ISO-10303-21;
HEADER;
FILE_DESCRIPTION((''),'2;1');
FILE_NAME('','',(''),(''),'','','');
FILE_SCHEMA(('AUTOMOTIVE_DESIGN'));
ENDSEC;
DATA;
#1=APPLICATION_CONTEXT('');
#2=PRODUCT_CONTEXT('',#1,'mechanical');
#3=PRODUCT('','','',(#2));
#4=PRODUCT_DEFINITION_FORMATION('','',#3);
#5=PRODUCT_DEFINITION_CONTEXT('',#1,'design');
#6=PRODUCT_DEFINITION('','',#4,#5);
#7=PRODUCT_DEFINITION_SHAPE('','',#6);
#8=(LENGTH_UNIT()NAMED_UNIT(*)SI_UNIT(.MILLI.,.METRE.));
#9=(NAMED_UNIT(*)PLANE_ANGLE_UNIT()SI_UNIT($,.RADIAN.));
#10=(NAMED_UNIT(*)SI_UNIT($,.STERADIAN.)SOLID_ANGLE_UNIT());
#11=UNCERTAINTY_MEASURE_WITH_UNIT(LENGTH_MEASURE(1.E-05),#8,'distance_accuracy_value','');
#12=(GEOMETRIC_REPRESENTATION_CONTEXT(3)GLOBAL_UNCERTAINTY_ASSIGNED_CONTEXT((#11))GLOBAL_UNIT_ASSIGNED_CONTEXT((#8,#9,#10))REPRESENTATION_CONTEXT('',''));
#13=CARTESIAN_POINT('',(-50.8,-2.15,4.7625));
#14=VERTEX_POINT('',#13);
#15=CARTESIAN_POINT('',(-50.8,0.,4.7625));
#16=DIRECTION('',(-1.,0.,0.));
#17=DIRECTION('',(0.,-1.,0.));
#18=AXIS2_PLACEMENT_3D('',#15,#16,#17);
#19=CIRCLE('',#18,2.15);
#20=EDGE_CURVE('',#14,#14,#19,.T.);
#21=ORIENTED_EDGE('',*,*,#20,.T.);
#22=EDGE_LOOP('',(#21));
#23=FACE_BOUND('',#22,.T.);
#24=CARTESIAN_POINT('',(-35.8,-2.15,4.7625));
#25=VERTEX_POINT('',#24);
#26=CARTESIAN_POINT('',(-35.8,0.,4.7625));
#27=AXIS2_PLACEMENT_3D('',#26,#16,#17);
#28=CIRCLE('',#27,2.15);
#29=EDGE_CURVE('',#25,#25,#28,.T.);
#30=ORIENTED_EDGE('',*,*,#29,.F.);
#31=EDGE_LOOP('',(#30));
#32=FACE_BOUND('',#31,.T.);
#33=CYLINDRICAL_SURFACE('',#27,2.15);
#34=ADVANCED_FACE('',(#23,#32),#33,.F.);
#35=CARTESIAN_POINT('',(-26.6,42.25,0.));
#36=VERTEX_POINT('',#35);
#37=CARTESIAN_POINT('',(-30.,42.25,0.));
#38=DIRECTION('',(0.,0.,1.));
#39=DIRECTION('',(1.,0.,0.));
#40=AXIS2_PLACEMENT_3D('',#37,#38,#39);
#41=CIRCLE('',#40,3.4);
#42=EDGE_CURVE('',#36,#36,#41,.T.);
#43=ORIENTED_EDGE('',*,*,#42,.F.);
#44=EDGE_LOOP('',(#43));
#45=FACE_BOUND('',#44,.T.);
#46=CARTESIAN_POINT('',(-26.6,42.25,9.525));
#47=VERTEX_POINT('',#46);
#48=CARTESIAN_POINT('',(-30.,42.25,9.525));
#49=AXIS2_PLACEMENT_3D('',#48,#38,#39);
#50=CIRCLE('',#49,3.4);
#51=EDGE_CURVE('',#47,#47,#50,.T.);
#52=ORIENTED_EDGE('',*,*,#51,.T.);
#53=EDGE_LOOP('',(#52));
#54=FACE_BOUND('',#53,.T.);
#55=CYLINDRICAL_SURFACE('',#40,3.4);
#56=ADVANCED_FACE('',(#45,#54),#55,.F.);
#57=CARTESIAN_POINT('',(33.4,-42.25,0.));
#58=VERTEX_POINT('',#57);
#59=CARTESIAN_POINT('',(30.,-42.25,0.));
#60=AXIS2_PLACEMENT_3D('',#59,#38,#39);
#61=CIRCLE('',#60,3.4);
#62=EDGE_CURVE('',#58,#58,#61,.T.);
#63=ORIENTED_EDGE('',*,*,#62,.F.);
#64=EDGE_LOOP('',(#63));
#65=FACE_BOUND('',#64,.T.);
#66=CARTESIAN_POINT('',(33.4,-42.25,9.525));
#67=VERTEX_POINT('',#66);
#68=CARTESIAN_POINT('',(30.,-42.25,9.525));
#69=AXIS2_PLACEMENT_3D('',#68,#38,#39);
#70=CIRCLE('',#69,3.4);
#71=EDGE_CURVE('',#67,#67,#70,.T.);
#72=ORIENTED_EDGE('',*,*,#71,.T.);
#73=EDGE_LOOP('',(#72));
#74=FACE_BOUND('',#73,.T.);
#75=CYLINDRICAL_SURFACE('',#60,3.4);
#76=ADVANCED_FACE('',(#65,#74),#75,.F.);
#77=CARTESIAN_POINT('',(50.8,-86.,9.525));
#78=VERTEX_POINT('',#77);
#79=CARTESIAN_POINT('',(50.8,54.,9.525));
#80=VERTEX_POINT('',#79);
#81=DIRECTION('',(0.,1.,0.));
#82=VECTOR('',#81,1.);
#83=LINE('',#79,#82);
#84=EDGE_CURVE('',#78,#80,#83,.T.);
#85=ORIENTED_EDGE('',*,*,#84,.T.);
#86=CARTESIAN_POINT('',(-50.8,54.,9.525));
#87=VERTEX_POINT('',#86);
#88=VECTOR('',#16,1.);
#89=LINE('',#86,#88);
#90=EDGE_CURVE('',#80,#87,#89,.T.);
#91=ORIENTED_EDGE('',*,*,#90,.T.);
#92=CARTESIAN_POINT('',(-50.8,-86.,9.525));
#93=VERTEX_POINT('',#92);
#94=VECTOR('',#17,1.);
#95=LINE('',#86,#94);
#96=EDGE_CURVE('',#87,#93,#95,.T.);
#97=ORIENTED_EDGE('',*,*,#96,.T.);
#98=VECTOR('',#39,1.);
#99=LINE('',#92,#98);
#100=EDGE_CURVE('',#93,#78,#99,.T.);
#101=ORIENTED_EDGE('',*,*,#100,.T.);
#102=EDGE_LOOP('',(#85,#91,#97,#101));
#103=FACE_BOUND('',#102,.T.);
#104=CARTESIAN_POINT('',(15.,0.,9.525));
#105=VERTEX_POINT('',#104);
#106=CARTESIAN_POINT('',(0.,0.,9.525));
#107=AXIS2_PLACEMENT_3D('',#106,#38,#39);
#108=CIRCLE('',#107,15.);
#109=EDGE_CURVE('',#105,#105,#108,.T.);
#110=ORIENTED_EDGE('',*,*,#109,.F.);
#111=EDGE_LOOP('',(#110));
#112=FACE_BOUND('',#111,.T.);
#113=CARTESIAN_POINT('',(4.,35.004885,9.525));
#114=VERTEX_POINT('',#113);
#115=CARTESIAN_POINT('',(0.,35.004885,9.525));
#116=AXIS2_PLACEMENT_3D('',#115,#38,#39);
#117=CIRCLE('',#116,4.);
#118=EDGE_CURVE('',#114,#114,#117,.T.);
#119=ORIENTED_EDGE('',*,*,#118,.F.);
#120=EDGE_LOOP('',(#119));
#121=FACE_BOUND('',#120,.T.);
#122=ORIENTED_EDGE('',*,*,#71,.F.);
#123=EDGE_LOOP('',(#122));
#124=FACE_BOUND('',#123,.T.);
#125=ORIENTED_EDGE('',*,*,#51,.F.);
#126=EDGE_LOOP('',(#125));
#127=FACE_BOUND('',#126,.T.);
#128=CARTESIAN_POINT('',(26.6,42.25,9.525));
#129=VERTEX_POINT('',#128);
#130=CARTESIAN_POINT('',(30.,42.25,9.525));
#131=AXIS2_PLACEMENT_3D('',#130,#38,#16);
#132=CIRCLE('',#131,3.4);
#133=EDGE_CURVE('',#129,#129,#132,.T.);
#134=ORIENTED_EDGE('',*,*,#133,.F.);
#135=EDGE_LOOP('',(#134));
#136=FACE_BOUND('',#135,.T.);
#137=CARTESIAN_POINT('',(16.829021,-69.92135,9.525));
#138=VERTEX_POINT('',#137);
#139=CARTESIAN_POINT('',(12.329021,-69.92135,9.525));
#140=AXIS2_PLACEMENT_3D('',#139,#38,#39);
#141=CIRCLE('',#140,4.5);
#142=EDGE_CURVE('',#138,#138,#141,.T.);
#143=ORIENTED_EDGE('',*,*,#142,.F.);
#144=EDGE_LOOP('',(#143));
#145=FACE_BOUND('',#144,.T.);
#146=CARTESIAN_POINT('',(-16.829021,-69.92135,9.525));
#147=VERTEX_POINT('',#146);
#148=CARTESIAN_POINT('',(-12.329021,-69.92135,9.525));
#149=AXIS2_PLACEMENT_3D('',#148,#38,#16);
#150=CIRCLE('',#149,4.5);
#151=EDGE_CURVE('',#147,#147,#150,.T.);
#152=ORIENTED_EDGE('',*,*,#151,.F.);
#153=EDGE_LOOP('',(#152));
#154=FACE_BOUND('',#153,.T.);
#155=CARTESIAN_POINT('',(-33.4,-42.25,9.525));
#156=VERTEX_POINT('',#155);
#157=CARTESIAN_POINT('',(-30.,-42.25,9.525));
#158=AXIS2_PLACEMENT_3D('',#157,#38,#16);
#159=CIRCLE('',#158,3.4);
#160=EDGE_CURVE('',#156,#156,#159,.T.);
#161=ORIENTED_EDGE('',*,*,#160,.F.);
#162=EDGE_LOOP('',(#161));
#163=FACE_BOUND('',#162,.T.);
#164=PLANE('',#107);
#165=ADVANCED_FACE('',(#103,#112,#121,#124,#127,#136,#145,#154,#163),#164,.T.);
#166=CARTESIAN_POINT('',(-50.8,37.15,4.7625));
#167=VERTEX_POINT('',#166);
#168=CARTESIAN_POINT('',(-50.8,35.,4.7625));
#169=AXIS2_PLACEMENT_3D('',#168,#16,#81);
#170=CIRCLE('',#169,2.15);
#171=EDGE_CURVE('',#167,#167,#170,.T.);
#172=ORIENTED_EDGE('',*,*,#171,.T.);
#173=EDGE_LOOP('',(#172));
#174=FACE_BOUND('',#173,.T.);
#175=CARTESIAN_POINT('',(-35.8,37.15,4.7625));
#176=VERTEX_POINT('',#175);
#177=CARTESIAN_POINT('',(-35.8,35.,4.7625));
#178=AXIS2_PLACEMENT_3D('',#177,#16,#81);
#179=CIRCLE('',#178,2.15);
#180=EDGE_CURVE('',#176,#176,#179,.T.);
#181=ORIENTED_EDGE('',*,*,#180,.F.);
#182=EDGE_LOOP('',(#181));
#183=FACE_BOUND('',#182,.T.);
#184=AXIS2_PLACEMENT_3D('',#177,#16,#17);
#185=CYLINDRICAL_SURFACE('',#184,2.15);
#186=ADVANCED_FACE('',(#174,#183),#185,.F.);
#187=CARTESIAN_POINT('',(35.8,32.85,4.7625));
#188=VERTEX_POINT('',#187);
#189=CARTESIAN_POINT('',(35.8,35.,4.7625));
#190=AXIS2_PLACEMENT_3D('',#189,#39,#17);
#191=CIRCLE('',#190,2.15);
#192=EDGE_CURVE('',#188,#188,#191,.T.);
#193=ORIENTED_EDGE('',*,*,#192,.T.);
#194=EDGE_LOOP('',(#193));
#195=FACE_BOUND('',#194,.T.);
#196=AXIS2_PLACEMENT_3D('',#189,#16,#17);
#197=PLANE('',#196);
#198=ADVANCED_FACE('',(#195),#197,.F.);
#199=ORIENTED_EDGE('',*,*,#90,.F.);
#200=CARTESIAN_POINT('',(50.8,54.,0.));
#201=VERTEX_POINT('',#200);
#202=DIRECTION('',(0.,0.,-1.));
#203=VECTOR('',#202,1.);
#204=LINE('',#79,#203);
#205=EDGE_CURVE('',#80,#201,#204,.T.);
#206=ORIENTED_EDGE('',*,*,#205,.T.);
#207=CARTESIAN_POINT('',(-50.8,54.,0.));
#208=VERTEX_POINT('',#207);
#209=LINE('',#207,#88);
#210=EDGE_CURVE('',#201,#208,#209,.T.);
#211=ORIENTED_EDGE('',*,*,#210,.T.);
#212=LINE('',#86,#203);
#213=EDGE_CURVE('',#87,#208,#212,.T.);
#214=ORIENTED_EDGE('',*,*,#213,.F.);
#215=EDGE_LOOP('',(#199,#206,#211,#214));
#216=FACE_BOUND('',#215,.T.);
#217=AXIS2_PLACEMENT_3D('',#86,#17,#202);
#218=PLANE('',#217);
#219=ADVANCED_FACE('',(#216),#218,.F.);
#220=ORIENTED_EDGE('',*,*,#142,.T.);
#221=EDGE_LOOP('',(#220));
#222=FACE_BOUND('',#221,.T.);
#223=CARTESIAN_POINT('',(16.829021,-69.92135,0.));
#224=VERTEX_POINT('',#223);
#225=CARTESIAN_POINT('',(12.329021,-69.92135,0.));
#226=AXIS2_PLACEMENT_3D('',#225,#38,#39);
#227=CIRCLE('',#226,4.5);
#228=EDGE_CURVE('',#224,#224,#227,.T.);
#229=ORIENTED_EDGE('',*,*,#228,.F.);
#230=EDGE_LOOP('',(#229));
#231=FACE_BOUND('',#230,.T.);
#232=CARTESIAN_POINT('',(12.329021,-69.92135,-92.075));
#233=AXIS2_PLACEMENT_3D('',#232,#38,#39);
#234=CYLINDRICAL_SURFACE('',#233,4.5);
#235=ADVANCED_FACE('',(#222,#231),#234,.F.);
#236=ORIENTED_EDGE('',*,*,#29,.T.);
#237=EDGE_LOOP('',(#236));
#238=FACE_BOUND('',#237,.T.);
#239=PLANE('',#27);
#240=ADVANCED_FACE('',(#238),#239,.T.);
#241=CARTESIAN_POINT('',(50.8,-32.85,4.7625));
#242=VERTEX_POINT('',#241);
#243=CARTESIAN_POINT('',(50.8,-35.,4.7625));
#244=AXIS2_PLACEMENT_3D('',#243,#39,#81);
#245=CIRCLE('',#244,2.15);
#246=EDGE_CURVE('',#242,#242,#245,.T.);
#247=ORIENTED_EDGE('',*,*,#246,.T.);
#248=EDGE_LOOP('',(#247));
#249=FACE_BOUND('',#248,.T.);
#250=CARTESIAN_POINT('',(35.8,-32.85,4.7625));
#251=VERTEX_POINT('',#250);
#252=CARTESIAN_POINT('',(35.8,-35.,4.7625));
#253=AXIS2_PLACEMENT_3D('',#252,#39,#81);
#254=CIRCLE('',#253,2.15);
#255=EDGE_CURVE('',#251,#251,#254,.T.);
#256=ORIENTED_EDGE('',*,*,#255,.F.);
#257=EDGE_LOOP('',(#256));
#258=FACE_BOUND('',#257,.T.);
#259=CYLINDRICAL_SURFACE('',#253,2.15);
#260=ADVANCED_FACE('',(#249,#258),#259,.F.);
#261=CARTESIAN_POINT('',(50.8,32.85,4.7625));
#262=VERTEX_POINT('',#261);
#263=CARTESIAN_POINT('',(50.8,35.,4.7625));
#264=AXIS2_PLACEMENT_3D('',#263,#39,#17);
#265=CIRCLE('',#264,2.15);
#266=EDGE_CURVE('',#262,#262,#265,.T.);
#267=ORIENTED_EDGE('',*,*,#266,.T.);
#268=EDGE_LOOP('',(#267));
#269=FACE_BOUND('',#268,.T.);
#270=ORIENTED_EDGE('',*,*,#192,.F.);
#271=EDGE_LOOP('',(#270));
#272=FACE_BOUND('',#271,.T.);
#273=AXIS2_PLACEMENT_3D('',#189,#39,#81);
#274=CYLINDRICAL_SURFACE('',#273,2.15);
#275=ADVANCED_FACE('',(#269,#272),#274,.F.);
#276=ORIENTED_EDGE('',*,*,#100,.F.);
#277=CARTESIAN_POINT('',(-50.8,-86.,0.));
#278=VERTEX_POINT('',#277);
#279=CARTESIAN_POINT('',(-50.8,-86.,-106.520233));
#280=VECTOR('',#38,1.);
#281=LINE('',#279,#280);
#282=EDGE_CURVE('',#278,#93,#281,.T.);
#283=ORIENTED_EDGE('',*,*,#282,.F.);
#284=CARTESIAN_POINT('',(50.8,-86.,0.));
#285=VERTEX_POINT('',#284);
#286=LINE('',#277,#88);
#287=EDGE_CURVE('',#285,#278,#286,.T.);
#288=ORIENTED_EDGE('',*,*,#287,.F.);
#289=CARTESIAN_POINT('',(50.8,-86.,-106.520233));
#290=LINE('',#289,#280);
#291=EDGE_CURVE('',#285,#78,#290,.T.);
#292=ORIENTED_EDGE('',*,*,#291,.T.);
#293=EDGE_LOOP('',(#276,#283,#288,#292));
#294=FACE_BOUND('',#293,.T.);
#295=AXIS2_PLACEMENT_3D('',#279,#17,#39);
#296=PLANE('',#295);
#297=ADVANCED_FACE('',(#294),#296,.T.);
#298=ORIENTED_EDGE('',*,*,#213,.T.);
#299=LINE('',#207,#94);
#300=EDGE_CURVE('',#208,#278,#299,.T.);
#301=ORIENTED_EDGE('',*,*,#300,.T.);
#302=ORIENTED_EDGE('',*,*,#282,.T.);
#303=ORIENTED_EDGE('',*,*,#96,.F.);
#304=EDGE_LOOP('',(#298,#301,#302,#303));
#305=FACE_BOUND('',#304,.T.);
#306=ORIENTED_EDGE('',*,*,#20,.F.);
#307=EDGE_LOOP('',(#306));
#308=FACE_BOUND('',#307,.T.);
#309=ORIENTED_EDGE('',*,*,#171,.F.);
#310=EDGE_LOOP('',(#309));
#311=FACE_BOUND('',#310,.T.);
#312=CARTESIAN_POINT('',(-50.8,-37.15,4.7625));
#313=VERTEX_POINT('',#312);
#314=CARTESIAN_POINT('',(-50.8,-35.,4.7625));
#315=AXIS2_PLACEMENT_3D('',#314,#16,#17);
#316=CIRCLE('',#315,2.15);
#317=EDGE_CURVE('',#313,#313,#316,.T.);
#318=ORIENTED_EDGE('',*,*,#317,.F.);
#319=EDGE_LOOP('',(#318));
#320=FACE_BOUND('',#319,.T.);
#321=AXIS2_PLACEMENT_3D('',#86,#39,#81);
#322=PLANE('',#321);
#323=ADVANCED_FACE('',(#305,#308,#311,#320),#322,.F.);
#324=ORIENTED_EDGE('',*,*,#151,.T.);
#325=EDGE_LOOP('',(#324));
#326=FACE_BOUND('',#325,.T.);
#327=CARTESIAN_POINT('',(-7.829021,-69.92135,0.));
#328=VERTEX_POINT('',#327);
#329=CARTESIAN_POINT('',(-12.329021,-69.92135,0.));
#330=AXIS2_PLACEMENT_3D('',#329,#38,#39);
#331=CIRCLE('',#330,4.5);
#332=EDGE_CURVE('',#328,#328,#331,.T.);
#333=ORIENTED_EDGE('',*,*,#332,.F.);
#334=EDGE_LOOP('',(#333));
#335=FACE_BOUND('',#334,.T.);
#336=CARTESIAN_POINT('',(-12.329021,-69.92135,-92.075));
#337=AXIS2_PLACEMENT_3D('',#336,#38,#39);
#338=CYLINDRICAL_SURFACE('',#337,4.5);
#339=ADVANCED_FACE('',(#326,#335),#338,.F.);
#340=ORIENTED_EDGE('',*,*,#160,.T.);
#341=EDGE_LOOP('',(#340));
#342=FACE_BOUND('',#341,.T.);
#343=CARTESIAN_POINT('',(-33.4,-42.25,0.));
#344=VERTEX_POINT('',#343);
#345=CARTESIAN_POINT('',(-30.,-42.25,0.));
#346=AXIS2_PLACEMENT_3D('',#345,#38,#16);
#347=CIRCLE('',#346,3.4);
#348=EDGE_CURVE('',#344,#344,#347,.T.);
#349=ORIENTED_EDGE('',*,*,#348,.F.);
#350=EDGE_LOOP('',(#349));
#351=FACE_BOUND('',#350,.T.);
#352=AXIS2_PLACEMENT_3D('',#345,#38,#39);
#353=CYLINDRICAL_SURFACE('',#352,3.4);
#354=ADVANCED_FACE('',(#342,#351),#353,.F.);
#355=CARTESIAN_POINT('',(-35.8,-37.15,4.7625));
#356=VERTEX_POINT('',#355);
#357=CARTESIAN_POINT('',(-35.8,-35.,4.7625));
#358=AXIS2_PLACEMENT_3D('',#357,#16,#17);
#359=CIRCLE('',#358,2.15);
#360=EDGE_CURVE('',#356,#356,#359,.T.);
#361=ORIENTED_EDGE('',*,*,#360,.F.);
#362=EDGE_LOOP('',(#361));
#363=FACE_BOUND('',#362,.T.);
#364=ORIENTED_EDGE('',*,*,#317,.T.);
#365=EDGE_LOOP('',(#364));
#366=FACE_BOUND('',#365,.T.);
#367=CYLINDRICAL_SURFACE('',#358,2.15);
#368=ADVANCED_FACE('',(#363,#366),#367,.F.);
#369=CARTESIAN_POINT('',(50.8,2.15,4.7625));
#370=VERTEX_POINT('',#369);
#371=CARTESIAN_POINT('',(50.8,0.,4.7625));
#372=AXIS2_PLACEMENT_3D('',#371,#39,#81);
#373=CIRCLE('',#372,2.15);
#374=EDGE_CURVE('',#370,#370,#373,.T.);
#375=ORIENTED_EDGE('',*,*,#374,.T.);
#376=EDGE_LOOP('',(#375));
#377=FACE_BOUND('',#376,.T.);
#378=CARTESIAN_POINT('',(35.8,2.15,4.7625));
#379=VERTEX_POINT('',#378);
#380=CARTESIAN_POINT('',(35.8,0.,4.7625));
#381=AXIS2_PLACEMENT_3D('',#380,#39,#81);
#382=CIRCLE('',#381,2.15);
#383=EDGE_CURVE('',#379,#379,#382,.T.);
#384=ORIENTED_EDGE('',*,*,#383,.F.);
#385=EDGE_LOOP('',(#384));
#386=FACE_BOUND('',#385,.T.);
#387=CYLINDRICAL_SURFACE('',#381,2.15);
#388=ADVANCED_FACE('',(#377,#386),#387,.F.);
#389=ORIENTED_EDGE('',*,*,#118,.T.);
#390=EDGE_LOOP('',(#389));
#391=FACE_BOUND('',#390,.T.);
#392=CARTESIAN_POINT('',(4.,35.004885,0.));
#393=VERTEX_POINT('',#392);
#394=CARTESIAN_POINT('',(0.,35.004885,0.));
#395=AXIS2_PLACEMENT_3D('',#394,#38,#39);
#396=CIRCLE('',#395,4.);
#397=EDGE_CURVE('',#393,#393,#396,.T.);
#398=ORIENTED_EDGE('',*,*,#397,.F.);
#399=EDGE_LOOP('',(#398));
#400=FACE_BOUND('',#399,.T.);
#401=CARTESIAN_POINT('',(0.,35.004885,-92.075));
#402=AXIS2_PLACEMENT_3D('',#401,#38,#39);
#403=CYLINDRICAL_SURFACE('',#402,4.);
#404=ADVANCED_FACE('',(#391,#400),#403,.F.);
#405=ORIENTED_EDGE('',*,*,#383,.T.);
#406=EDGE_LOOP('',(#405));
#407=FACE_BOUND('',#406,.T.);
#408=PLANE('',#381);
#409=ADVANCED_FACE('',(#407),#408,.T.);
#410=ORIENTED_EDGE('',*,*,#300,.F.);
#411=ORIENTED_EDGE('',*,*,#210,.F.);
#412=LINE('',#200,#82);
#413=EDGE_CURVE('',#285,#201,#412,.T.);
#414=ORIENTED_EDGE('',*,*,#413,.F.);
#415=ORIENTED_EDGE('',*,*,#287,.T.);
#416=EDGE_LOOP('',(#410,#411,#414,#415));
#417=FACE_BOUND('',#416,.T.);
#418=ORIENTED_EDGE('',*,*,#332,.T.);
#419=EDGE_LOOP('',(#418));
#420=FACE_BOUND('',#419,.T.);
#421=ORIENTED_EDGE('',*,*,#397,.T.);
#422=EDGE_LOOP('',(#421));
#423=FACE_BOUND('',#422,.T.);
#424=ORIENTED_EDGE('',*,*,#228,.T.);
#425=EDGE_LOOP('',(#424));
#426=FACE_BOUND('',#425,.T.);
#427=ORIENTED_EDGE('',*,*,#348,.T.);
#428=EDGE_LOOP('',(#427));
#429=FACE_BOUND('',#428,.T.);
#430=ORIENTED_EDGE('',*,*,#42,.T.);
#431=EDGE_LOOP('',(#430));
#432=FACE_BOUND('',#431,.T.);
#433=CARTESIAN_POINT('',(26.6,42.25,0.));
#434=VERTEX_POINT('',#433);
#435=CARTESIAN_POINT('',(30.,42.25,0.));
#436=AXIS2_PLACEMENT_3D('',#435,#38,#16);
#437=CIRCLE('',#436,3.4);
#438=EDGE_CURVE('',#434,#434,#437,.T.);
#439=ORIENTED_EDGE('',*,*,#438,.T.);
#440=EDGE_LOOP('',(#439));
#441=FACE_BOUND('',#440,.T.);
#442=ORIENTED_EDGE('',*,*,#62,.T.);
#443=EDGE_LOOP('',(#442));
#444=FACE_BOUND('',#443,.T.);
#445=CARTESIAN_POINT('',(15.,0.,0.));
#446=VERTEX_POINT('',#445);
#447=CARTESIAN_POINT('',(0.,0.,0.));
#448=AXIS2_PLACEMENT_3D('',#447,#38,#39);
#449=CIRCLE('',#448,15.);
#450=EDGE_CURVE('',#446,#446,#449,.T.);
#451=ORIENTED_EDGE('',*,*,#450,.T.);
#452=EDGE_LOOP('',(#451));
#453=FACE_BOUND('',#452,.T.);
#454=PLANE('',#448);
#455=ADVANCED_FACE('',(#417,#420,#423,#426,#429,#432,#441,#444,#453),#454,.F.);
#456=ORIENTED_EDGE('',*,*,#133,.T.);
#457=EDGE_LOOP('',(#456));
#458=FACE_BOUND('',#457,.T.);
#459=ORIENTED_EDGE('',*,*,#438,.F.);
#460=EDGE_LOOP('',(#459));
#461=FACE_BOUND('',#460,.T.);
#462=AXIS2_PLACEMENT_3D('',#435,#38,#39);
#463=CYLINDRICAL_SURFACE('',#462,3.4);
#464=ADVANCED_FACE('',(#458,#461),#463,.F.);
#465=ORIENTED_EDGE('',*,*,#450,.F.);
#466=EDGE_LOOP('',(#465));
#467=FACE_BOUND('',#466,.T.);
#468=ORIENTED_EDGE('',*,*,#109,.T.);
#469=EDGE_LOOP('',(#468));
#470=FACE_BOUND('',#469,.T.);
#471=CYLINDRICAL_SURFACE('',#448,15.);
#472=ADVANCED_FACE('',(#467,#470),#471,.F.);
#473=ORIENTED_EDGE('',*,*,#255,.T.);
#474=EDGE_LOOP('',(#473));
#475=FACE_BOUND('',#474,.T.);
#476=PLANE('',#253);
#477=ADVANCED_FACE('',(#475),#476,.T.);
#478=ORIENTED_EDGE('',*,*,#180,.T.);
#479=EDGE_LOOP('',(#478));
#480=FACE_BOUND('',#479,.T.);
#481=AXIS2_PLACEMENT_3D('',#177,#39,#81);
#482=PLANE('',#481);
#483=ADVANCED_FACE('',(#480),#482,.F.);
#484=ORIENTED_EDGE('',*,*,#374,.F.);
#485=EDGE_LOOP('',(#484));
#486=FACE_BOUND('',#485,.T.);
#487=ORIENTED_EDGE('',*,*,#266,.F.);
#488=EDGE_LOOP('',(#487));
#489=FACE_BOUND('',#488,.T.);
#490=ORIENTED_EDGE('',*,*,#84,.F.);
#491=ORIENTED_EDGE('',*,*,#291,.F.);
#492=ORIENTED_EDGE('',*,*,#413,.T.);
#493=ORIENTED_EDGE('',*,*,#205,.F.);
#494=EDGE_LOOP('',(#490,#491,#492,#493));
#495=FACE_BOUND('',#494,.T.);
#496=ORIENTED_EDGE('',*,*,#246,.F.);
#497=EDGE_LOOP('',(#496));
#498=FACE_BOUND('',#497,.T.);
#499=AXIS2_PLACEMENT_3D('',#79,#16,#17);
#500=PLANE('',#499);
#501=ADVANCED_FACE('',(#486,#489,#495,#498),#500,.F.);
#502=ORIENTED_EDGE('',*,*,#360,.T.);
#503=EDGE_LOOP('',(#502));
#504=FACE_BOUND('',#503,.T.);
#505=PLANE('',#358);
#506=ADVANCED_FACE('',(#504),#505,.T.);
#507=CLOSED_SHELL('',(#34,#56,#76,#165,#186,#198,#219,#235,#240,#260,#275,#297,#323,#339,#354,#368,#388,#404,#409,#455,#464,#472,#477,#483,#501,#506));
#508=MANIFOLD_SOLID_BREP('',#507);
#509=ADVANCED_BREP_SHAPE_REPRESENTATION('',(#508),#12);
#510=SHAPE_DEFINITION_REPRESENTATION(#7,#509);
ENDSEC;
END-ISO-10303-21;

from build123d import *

# Parameters (mm, degrees)
CROQUIS1_W              = 101.6
CROQUIS1_H              = 108
SALIENTE_EXTRUIR1_DEPTH = 9.525
CROQUIS2_R              = 15
CROQUIS2_R_2            = 3.4
CORTAR_EXTRUIR1_DEPTH   = 10.525
CROQUIS3_R              = 2.15
CORTAR_EXTRUIR2_DEPTH   = 15
CROQUIS4_R              = 2.15
CORTAR_EXTRUIR3_DEPTH   = 15
CROQUIS5_W              = 101.6
CROQUIS5_H              = 32
SALIENTE_EXTRUIR2_DEPTH = 9.525
CROQUIS6_R              = 4.5
CROQUIS6_R_2            = 4
CORTAR_EXTRUIR4_DEPTH   = 101.6


with BuildPart() as part:
    # Croquis1 → Saliente-Extruir1 (new body)
    with BuildSketch(Plane.XY):
        Rectangle(CROQUIS1_W, CROQUIS1_H)
    extrude(amount=SALIENTE_EXTRUIR1_DEPTH)

    # Croquis2 → Cortar-Extruir1 (cut, through all)
    with BuildSketch(Plane.XY.offset(9.525)):
        Circle(CROQUIS2_R)
        with Locations((30, -42.25)):
            Circle(CROQUIS2_R_2)
        with Locations((-30, -42.25)):
            Circle(CROQUIS2_R_2)
        with Locations((30, 42.25)):
            Circle(CROQUIS2_R_2)
        with Locations((-30, 42.25)):
            Circle(CROQUIS2_R_2)
    extrude(amount=-CORTAR_EXTRUIR1_DEPTH, mode=Mode.SUBTRACT)

    # Croquis3 → Cortar-Extruir2 (cut)
    with BuildSketch(Plane.ZY.offset(50.8)):
        with Locations((4.7625, 0)):
            Circle(CROQUIS3_R)
        with Locations((4.7625, -35)):
            Circle(CROQUIS3_R)
        with Locations((4.7625, 35)):
            Circle(CROQUIS3_R)
    extrude(amount=-CORTAR_EXTRUIR2_DEPTH, mode=Mode.SUBTRACT)

    # Croquis4 → Cortar-Extruir3 (cut)
    with BuildSketch(Plane(origin=(50.8, 0, 0), x_dir=(0, 0, -1), z_dir=(1, 0, 0))):
        with Locations((-4.7625, 0)):
            Circle(CROQUIS4_R)
        with Locations((-4.7625, -35)):
            Circle(CROQUIS4_R)
        with Locations((-4.7625, 35)):
            Circle(CROQUIS4_R)
    extrude(amount=-CORTAR_EXTRUIR3_DEPTH, mode=Mode.SUBTRACT)

    # Croquis5 → Saliente-Extruir2 (add)
    with BuildSketch(Plane.XY.offset(9.525)):
        with Locations((0, -70)):
            Rectangle(CROQUIS5_W, CROQUIS5_H)
    extrude(amount=-SALIENTE_EXTRUIR2_DEPTH)

    # Croquis6 → Cortar-Extruir4 (cut)
    with BuildSketch(Plane.XY.offset(9.525)):
        with Locations((12.329020614, -69.921350464)):
            Circle(CROQUIS6_R)
        with Locations((-12.329020614, -69.921350464)):
            Circle(CROQUIS6_R)
        with Locations((0, 35.004884714)):
            Circle(CROQUIS6_R_2)
    extrude(amount=-CORTAR_EXTRUIR4_DEPTH, mode=Mode.SUBTRACT)


solid = part.part
